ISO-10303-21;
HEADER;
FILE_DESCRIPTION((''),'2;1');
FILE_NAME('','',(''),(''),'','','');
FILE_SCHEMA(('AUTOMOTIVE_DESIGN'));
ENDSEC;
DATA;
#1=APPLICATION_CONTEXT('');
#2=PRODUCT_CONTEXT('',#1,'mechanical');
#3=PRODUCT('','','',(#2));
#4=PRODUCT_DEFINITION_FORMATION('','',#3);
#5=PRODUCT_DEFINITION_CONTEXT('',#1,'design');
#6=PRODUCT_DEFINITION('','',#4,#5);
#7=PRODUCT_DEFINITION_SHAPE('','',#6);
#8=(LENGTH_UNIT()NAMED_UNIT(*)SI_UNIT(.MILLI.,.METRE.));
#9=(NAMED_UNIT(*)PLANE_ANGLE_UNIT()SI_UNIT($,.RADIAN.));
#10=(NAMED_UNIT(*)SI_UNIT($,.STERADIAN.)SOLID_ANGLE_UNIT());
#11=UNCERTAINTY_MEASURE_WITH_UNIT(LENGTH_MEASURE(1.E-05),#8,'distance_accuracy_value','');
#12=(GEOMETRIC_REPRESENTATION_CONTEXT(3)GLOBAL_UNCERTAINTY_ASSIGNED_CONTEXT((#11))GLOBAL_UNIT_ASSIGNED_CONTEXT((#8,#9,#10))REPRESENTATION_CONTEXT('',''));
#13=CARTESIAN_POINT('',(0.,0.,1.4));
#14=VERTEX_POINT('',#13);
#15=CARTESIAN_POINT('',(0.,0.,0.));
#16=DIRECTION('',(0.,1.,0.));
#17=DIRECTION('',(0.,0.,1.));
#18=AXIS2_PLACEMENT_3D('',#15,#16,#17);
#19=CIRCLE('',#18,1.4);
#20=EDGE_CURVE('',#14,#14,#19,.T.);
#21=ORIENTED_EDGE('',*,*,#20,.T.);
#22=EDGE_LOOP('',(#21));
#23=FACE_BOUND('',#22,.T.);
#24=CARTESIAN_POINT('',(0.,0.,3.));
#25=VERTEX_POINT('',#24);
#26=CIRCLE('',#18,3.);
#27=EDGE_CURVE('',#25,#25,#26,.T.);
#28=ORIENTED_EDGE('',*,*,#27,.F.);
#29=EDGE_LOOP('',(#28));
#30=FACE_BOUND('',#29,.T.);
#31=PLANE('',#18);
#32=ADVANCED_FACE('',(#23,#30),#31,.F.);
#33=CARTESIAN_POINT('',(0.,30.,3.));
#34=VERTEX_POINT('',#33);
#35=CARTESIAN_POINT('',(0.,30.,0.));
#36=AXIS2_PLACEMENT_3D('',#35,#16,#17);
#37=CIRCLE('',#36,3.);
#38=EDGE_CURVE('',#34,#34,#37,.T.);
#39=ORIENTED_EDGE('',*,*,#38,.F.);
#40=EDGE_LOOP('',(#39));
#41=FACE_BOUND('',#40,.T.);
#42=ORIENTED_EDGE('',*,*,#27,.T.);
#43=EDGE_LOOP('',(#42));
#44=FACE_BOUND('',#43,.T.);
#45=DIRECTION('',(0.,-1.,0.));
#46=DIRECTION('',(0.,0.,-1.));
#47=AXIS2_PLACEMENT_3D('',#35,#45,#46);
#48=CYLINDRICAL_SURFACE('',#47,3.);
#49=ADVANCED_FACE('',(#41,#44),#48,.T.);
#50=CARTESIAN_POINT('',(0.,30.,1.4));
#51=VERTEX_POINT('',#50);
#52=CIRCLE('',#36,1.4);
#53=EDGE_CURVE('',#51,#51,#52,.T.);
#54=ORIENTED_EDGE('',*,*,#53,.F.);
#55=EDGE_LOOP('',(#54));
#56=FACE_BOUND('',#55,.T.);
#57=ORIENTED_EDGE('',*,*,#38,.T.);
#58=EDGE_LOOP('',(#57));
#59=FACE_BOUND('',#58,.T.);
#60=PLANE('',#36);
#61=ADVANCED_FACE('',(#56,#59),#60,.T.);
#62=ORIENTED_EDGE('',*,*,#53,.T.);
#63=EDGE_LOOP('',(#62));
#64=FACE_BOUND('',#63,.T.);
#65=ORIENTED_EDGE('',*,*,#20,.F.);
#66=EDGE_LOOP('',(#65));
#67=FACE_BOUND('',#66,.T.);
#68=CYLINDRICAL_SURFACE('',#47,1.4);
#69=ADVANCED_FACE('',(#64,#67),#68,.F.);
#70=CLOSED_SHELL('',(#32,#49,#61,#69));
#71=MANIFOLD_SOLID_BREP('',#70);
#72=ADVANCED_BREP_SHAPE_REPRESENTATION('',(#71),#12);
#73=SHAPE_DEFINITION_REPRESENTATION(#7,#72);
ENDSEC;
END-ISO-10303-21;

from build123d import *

# Parameters (mm, degrees)
SKETCH1_R       = 3
SKETCH1_R_2     = 1.4
EXTRUSION_DEPTH = 30


with BuildPart() as part:
    # Sketch1 → Extrusion (new body)
    with BuildSketch(Plane(origin=(0, 0, 0), x_dir=(1, 0, 0), z_dir=(0, 1, 0))):
        with Locations(Location((0, 0, 0), (0, 0, 270))):
            Circle(SKETCH1_R)
        with Locations(Location((0, 0, 0), (0, 0, 270))):
            Circle(SKETCH1_R_2, mode=Mode.SUBTRACT)
    extrude(amount=EXTRUSION_DEPTH)


solid = part.part
